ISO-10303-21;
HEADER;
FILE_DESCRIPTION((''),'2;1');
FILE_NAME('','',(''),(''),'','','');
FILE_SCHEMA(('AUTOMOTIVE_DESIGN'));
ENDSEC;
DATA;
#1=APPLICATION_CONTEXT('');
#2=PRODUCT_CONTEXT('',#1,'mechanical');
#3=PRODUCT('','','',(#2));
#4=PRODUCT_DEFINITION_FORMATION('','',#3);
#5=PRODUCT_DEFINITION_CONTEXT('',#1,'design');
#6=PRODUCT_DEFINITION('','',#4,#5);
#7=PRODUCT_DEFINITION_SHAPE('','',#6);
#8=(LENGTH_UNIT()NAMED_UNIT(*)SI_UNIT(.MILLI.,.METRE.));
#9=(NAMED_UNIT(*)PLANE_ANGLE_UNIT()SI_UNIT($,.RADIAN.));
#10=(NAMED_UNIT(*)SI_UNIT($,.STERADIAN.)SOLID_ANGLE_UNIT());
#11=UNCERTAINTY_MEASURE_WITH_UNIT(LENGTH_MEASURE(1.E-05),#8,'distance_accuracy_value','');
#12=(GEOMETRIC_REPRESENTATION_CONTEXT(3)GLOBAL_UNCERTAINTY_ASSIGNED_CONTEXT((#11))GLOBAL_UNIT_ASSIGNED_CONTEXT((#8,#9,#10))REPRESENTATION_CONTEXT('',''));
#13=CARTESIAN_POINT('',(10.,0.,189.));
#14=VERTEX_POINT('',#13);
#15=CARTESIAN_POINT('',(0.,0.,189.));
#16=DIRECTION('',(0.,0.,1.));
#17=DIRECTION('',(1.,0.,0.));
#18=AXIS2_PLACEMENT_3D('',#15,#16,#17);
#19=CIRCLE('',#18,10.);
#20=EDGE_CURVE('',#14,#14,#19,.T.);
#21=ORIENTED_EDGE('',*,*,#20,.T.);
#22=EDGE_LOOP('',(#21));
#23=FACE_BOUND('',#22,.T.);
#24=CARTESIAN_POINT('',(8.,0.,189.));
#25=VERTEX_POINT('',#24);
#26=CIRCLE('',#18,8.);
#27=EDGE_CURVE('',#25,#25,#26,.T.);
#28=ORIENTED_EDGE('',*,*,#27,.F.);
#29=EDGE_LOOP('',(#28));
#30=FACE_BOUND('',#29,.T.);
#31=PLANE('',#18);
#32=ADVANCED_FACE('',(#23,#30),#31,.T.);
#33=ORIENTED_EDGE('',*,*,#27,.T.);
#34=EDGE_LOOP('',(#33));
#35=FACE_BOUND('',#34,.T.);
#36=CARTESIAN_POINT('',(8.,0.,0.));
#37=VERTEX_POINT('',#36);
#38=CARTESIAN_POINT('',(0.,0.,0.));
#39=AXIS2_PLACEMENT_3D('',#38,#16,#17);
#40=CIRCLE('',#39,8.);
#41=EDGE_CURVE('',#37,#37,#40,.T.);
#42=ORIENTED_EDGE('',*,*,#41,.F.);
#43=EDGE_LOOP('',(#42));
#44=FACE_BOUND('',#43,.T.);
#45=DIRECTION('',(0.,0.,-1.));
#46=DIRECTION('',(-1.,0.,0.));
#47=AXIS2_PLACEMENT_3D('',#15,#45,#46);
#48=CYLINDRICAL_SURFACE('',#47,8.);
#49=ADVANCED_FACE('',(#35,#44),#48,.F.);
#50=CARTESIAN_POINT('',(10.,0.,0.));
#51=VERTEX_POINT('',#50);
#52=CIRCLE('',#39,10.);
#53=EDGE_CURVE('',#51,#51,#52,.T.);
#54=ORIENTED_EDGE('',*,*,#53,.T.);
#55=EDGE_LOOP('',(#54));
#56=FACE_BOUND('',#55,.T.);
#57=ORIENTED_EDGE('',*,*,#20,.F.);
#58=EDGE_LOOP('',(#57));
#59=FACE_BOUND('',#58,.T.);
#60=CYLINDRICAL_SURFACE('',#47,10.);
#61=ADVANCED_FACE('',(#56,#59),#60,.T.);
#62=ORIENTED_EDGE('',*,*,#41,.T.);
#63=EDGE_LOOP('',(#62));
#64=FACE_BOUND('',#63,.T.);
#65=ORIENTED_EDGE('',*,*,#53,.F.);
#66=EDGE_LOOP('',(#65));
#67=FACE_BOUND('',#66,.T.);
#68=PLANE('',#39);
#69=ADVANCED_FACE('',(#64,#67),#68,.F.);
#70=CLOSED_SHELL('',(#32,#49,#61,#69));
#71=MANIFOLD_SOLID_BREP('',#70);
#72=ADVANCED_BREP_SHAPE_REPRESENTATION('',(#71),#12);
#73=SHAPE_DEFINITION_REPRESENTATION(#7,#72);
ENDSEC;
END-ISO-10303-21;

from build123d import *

# Parameters (mm, degrees)
ESQUISSE1_R        = 10
ESQUISSE1_R_2      = 8
EXTRU_MINCE1_DEPTH = 189


with BuildPart() as part:
    # Esquisse1 → Extru.-Mince1 (new body)
    with BuildSketch(Plane.XY):
        Circle(ESQUISSE1_R)
        Circle(ESQUISSE1_R_2, mode=Mode.SUBTRACT)
    extrude(amount=EXTRU_MINCE1_DEPTH)


solid = part.part
